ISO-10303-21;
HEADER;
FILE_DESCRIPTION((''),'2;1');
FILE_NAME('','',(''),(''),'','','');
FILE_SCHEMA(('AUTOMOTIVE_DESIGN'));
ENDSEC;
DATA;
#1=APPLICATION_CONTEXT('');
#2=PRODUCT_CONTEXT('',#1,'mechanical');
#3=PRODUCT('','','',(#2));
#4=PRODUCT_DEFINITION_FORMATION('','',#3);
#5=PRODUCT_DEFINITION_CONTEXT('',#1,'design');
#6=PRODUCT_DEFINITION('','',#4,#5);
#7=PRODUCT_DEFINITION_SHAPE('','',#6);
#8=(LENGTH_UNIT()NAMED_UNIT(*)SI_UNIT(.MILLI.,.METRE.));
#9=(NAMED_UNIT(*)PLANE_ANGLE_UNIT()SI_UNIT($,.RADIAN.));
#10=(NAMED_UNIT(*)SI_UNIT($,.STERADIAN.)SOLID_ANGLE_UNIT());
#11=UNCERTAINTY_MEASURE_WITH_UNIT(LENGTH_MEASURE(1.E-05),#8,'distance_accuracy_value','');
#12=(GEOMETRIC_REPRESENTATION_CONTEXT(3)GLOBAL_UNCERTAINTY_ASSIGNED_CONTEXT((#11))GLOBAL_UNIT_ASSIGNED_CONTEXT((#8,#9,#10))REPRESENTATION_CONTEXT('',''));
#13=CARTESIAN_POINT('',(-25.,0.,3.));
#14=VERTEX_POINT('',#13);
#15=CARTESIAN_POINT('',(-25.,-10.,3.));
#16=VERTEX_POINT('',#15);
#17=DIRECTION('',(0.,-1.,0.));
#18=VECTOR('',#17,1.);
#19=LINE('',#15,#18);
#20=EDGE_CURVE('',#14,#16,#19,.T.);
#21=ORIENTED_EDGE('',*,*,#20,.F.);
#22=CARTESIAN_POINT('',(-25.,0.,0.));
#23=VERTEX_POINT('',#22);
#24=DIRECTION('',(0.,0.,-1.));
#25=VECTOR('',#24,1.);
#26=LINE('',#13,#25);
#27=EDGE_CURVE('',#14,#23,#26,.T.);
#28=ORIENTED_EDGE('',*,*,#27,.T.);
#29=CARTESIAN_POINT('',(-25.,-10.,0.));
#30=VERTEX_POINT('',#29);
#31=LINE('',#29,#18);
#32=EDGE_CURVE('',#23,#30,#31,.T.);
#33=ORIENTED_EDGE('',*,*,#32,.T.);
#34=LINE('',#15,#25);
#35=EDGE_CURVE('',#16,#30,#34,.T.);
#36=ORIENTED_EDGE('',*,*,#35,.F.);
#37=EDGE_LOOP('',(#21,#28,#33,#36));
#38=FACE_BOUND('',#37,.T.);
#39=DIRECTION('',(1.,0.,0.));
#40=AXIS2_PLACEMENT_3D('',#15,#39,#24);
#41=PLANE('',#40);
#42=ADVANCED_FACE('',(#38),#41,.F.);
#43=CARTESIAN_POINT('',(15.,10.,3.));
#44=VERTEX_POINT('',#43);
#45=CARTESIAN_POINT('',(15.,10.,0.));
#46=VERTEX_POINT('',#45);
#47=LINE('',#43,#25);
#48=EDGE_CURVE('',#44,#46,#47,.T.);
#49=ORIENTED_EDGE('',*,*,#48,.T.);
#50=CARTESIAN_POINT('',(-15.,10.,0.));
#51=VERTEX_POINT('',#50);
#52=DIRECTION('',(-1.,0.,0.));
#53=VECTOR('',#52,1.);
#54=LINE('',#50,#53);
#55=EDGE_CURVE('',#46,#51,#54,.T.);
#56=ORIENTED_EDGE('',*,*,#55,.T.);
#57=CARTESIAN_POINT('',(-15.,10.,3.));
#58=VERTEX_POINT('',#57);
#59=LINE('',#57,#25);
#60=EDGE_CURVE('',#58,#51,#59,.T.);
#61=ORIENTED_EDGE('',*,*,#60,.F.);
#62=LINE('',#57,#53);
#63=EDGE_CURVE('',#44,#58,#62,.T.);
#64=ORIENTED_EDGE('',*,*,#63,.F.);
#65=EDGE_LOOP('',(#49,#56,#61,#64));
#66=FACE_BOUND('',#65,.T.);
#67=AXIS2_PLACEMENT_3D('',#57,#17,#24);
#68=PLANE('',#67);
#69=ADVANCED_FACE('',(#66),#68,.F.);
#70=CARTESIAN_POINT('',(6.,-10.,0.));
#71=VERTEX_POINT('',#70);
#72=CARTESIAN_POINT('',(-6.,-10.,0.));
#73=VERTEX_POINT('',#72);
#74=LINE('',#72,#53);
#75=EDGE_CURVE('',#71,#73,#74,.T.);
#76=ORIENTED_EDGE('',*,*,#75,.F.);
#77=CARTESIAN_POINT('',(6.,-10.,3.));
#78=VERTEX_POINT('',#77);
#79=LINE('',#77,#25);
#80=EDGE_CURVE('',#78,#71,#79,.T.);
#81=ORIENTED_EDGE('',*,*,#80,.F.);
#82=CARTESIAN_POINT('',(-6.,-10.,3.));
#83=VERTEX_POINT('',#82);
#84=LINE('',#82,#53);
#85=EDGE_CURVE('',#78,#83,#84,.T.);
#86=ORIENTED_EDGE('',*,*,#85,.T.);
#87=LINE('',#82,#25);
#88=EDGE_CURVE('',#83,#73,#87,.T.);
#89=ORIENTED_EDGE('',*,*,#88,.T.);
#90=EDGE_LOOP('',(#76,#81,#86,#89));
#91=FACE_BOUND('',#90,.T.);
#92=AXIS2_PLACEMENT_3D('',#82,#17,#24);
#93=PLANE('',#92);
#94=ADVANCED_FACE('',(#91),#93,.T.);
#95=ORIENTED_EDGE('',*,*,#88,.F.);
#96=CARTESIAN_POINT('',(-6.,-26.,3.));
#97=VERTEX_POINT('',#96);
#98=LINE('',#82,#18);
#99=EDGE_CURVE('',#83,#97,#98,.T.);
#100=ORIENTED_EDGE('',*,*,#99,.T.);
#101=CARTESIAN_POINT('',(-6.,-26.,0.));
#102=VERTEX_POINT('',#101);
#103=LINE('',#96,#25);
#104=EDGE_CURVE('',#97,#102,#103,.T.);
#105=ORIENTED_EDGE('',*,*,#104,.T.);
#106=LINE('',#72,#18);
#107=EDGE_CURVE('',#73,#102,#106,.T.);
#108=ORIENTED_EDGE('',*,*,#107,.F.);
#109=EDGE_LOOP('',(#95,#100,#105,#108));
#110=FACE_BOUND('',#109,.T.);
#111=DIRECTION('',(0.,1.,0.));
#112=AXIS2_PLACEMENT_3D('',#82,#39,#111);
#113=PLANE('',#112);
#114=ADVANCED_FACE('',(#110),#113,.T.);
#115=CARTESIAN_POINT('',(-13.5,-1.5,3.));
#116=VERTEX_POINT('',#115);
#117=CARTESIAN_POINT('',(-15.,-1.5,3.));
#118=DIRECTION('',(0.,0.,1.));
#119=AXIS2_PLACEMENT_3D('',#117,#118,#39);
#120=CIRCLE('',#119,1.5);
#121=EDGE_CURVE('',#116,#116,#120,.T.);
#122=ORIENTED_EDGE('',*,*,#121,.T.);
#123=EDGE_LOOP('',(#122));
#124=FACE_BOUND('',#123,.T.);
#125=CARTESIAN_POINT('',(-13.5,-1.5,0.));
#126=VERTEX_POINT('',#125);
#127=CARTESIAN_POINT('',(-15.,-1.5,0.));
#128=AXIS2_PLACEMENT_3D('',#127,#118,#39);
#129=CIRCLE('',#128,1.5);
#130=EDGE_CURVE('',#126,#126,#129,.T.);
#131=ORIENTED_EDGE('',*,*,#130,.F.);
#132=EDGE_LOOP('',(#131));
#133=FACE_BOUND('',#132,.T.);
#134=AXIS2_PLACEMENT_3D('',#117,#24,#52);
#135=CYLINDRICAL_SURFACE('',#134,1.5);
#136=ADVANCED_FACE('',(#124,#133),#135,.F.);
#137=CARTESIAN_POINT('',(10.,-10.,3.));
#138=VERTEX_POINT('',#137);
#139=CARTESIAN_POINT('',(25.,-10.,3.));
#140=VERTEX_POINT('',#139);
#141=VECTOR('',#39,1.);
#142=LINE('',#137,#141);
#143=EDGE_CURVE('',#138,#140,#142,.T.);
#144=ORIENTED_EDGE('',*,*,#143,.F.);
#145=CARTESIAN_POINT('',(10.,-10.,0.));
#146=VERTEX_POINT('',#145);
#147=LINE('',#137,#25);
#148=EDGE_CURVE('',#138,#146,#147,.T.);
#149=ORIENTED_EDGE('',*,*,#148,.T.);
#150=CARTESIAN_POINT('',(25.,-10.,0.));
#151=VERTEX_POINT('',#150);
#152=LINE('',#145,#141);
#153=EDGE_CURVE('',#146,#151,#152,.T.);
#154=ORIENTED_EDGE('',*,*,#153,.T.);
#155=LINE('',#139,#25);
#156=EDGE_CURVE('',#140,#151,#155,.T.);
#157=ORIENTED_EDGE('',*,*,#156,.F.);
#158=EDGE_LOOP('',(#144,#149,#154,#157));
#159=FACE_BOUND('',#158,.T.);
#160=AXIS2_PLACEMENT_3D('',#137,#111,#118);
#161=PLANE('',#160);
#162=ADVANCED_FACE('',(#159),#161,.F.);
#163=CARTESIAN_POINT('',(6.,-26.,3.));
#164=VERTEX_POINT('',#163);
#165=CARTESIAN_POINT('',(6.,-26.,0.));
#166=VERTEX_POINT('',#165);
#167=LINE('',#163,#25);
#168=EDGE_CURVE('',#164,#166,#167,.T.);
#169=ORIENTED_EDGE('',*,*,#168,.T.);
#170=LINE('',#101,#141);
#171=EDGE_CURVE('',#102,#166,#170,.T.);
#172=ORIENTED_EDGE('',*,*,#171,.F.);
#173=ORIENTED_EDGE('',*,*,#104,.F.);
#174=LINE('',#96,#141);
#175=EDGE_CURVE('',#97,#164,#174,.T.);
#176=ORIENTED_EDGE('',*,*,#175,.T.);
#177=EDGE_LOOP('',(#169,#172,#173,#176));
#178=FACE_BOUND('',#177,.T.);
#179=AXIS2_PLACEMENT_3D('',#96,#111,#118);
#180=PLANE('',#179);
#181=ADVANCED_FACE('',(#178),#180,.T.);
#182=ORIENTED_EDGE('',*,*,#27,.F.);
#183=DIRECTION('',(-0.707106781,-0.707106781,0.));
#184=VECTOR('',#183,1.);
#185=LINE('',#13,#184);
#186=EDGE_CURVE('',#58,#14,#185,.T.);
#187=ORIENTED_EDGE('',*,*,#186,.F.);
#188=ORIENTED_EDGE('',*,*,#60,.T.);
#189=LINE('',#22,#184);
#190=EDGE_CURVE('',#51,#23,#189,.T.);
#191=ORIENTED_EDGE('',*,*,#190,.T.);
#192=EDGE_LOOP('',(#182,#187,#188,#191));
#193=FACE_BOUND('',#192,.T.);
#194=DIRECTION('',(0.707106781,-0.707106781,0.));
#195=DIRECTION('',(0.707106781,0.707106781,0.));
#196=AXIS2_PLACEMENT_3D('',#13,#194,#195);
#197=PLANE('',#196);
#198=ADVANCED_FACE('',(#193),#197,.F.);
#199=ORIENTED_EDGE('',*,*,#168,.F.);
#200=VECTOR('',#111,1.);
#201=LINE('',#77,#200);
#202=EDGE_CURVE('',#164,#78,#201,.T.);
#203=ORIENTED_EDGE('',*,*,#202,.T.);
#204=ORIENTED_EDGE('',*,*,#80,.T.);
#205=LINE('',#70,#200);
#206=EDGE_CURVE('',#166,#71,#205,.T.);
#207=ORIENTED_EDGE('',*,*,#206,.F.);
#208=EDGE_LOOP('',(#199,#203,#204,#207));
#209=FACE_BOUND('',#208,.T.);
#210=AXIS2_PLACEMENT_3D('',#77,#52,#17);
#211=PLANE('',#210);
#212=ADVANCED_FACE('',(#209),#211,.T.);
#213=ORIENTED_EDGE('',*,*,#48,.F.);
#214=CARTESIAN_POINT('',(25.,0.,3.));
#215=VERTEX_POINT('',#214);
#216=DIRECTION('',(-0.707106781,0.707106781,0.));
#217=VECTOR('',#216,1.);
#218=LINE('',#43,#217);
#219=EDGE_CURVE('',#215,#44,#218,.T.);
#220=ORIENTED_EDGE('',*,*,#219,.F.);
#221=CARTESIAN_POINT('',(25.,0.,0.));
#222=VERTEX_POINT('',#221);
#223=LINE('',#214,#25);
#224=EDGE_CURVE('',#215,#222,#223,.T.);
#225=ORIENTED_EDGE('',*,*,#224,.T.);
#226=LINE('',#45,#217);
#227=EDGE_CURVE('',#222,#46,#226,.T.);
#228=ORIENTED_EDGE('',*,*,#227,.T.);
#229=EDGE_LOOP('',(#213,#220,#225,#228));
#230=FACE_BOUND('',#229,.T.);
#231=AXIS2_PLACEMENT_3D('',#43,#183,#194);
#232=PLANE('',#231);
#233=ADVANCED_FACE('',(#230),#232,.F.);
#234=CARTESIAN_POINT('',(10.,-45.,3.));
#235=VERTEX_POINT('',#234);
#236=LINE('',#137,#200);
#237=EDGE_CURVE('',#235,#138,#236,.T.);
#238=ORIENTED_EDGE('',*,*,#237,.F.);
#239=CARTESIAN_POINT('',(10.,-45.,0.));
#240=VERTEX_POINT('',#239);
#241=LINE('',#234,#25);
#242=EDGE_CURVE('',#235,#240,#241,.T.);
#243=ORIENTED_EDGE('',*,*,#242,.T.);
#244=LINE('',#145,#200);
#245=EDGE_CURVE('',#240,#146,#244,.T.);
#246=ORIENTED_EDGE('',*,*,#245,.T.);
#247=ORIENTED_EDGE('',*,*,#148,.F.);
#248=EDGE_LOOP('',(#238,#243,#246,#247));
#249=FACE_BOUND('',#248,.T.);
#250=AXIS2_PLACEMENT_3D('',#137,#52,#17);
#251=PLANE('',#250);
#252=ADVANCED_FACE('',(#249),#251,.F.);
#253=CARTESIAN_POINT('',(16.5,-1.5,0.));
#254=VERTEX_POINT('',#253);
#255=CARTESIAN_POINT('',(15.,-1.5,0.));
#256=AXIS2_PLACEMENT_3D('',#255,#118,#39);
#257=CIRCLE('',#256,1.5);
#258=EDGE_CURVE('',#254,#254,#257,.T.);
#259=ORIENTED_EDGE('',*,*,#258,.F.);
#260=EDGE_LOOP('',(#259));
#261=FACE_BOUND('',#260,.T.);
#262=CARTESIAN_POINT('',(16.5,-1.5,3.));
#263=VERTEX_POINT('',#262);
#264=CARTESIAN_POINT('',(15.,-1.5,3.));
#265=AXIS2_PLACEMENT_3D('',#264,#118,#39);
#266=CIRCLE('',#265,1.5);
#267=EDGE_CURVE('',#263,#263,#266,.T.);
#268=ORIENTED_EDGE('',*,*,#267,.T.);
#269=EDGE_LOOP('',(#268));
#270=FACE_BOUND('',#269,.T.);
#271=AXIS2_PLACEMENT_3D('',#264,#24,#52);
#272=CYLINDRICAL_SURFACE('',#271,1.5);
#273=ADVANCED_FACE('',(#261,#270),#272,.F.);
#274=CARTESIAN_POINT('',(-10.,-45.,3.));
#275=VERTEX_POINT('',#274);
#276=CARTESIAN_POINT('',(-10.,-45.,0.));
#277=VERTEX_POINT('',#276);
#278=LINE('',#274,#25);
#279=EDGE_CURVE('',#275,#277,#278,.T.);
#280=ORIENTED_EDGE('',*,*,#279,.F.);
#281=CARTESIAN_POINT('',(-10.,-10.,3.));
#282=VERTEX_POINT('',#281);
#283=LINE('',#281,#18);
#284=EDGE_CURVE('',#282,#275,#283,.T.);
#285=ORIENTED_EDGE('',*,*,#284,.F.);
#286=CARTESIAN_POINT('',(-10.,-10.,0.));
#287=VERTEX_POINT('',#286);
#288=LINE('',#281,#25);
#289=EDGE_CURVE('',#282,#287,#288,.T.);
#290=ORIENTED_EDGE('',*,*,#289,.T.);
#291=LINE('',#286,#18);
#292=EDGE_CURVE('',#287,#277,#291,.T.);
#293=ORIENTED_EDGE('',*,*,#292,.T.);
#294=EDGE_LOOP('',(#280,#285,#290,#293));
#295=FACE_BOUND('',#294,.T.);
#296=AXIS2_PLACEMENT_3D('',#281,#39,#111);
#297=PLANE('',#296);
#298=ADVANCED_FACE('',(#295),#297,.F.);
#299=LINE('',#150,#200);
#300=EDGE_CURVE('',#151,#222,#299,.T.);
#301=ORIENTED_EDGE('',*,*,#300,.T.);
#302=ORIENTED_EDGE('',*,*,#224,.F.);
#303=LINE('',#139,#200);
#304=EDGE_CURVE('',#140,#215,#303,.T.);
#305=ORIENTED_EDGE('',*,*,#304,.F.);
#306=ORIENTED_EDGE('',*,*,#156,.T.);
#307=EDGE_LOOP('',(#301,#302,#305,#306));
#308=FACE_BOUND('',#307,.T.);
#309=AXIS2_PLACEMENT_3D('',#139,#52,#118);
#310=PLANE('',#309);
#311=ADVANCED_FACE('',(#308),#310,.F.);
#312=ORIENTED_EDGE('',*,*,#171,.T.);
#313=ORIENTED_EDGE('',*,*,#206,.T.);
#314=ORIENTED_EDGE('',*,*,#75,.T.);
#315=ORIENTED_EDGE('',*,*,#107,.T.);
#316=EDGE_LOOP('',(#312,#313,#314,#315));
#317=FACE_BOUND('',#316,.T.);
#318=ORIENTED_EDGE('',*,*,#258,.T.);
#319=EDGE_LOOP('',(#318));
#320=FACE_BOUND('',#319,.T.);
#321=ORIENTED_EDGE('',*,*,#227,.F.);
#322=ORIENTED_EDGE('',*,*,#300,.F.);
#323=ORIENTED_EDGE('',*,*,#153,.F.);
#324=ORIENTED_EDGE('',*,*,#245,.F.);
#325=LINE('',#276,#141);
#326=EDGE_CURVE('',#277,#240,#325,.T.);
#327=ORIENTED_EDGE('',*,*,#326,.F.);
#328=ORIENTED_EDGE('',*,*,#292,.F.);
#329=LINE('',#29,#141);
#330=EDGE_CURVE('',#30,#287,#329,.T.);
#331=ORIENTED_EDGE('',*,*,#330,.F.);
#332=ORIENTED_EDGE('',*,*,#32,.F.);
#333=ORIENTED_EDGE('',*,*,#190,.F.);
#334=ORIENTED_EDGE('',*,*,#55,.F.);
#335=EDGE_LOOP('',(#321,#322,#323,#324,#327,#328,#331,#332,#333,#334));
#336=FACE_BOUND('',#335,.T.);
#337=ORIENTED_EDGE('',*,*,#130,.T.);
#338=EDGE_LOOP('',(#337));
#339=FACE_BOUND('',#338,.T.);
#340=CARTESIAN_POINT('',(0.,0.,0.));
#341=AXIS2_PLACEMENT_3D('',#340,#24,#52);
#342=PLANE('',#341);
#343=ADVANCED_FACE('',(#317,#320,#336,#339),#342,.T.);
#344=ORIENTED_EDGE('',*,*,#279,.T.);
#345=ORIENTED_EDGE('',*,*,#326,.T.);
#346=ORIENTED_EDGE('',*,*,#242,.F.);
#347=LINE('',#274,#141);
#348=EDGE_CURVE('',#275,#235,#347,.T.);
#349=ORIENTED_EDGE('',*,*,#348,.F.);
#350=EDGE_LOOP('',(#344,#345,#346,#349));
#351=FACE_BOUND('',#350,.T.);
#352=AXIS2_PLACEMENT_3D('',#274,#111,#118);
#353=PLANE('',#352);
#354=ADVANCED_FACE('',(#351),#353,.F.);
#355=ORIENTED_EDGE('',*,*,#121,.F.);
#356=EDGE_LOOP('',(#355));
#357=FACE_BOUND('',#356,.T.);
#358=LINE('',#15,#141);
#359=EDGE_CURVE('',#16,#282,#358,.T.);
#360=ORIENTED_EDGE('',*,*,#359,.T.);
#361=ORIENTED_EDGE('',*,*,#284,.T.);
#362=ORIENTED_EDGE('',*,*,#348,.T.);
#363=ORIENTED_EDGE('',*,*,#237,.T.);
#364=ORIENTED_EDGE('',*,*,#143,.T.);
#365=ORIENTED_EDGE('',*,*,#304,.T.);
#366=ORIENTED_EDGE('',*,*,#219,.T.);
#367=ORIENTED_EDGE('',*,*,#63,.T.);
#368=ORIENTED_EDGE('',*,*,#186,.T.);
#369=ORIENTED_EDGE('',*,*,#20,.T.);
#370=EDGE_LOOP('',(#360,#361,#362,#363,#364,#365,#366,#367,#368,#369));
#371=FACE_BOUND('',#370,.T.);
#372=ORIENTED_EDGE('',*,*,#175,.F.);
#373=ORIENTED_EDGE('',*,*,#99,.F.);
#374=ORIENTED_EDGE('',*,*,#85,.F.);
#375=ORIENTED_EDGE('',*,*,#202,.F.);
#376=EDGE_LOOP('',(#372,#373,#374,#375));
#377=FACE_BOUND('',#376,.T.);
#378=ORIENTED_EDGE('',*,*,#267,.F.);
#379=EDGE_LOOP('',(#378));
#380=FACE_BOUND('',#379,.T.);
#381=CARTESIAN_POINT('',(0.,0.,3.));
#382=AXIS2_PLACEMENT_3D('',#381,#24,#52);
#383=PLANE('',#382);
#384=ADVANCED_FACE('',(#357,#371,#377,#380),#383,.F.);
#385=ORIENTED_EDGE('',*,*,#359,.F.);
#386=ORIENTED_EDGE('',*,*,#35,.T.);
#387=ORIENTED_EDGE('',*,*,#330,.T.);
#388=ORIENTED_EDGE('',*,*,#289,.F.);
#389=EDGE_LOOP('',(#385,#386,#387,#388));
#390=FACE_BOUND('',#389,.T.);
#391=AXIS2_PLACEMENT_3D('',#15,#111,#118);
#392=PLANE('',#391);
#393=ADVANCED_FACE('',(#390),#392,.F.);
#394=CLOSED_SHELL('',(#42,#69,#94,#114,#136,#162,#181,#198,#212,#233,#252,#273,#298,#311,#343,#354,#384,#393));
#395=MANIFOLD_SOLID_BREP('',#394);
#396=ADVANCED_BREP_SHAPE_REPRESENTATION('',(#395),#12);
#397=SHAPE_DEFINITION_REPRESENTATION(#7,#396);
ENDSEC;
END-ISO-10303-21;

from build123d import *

# Parameters (mm, degrees)
CROQUIS1_R              = 1.5
CROQUIS1_W              = 12
CROQUIS1_H              = 16
SALIENTE_EXTRUIR1_DEPTH = 3


with BuildPart() as part:
    # Croquis1 → Saliente-Extruir1 (new body)
    with BuildSketch(Plane.XY):
        Polygon((-25, 0), (-15, 10), (15, 10), (25, 0), (25, -10), (10, -10), (10, -45), (-10, -45), (-10, -10), (-25, -10), align=None)
        with Locations((-15, -1.5)):
            Circle(CROQUIS1_R, mode=Mode.SUBTRACT)
        with Locations((15, -1.5)):
            Circle(CROQUIS1_R, mode=Mode.SUBTRACT)
        with Locations((0, -18)):
            Rectangle(CROQUIS1_W, CROQUIS1_H, mode=Mode.SUBTRACT)
    extrude(amount=SALIENTE_EXTRUIR1_DEPTH)


solid = part.part
